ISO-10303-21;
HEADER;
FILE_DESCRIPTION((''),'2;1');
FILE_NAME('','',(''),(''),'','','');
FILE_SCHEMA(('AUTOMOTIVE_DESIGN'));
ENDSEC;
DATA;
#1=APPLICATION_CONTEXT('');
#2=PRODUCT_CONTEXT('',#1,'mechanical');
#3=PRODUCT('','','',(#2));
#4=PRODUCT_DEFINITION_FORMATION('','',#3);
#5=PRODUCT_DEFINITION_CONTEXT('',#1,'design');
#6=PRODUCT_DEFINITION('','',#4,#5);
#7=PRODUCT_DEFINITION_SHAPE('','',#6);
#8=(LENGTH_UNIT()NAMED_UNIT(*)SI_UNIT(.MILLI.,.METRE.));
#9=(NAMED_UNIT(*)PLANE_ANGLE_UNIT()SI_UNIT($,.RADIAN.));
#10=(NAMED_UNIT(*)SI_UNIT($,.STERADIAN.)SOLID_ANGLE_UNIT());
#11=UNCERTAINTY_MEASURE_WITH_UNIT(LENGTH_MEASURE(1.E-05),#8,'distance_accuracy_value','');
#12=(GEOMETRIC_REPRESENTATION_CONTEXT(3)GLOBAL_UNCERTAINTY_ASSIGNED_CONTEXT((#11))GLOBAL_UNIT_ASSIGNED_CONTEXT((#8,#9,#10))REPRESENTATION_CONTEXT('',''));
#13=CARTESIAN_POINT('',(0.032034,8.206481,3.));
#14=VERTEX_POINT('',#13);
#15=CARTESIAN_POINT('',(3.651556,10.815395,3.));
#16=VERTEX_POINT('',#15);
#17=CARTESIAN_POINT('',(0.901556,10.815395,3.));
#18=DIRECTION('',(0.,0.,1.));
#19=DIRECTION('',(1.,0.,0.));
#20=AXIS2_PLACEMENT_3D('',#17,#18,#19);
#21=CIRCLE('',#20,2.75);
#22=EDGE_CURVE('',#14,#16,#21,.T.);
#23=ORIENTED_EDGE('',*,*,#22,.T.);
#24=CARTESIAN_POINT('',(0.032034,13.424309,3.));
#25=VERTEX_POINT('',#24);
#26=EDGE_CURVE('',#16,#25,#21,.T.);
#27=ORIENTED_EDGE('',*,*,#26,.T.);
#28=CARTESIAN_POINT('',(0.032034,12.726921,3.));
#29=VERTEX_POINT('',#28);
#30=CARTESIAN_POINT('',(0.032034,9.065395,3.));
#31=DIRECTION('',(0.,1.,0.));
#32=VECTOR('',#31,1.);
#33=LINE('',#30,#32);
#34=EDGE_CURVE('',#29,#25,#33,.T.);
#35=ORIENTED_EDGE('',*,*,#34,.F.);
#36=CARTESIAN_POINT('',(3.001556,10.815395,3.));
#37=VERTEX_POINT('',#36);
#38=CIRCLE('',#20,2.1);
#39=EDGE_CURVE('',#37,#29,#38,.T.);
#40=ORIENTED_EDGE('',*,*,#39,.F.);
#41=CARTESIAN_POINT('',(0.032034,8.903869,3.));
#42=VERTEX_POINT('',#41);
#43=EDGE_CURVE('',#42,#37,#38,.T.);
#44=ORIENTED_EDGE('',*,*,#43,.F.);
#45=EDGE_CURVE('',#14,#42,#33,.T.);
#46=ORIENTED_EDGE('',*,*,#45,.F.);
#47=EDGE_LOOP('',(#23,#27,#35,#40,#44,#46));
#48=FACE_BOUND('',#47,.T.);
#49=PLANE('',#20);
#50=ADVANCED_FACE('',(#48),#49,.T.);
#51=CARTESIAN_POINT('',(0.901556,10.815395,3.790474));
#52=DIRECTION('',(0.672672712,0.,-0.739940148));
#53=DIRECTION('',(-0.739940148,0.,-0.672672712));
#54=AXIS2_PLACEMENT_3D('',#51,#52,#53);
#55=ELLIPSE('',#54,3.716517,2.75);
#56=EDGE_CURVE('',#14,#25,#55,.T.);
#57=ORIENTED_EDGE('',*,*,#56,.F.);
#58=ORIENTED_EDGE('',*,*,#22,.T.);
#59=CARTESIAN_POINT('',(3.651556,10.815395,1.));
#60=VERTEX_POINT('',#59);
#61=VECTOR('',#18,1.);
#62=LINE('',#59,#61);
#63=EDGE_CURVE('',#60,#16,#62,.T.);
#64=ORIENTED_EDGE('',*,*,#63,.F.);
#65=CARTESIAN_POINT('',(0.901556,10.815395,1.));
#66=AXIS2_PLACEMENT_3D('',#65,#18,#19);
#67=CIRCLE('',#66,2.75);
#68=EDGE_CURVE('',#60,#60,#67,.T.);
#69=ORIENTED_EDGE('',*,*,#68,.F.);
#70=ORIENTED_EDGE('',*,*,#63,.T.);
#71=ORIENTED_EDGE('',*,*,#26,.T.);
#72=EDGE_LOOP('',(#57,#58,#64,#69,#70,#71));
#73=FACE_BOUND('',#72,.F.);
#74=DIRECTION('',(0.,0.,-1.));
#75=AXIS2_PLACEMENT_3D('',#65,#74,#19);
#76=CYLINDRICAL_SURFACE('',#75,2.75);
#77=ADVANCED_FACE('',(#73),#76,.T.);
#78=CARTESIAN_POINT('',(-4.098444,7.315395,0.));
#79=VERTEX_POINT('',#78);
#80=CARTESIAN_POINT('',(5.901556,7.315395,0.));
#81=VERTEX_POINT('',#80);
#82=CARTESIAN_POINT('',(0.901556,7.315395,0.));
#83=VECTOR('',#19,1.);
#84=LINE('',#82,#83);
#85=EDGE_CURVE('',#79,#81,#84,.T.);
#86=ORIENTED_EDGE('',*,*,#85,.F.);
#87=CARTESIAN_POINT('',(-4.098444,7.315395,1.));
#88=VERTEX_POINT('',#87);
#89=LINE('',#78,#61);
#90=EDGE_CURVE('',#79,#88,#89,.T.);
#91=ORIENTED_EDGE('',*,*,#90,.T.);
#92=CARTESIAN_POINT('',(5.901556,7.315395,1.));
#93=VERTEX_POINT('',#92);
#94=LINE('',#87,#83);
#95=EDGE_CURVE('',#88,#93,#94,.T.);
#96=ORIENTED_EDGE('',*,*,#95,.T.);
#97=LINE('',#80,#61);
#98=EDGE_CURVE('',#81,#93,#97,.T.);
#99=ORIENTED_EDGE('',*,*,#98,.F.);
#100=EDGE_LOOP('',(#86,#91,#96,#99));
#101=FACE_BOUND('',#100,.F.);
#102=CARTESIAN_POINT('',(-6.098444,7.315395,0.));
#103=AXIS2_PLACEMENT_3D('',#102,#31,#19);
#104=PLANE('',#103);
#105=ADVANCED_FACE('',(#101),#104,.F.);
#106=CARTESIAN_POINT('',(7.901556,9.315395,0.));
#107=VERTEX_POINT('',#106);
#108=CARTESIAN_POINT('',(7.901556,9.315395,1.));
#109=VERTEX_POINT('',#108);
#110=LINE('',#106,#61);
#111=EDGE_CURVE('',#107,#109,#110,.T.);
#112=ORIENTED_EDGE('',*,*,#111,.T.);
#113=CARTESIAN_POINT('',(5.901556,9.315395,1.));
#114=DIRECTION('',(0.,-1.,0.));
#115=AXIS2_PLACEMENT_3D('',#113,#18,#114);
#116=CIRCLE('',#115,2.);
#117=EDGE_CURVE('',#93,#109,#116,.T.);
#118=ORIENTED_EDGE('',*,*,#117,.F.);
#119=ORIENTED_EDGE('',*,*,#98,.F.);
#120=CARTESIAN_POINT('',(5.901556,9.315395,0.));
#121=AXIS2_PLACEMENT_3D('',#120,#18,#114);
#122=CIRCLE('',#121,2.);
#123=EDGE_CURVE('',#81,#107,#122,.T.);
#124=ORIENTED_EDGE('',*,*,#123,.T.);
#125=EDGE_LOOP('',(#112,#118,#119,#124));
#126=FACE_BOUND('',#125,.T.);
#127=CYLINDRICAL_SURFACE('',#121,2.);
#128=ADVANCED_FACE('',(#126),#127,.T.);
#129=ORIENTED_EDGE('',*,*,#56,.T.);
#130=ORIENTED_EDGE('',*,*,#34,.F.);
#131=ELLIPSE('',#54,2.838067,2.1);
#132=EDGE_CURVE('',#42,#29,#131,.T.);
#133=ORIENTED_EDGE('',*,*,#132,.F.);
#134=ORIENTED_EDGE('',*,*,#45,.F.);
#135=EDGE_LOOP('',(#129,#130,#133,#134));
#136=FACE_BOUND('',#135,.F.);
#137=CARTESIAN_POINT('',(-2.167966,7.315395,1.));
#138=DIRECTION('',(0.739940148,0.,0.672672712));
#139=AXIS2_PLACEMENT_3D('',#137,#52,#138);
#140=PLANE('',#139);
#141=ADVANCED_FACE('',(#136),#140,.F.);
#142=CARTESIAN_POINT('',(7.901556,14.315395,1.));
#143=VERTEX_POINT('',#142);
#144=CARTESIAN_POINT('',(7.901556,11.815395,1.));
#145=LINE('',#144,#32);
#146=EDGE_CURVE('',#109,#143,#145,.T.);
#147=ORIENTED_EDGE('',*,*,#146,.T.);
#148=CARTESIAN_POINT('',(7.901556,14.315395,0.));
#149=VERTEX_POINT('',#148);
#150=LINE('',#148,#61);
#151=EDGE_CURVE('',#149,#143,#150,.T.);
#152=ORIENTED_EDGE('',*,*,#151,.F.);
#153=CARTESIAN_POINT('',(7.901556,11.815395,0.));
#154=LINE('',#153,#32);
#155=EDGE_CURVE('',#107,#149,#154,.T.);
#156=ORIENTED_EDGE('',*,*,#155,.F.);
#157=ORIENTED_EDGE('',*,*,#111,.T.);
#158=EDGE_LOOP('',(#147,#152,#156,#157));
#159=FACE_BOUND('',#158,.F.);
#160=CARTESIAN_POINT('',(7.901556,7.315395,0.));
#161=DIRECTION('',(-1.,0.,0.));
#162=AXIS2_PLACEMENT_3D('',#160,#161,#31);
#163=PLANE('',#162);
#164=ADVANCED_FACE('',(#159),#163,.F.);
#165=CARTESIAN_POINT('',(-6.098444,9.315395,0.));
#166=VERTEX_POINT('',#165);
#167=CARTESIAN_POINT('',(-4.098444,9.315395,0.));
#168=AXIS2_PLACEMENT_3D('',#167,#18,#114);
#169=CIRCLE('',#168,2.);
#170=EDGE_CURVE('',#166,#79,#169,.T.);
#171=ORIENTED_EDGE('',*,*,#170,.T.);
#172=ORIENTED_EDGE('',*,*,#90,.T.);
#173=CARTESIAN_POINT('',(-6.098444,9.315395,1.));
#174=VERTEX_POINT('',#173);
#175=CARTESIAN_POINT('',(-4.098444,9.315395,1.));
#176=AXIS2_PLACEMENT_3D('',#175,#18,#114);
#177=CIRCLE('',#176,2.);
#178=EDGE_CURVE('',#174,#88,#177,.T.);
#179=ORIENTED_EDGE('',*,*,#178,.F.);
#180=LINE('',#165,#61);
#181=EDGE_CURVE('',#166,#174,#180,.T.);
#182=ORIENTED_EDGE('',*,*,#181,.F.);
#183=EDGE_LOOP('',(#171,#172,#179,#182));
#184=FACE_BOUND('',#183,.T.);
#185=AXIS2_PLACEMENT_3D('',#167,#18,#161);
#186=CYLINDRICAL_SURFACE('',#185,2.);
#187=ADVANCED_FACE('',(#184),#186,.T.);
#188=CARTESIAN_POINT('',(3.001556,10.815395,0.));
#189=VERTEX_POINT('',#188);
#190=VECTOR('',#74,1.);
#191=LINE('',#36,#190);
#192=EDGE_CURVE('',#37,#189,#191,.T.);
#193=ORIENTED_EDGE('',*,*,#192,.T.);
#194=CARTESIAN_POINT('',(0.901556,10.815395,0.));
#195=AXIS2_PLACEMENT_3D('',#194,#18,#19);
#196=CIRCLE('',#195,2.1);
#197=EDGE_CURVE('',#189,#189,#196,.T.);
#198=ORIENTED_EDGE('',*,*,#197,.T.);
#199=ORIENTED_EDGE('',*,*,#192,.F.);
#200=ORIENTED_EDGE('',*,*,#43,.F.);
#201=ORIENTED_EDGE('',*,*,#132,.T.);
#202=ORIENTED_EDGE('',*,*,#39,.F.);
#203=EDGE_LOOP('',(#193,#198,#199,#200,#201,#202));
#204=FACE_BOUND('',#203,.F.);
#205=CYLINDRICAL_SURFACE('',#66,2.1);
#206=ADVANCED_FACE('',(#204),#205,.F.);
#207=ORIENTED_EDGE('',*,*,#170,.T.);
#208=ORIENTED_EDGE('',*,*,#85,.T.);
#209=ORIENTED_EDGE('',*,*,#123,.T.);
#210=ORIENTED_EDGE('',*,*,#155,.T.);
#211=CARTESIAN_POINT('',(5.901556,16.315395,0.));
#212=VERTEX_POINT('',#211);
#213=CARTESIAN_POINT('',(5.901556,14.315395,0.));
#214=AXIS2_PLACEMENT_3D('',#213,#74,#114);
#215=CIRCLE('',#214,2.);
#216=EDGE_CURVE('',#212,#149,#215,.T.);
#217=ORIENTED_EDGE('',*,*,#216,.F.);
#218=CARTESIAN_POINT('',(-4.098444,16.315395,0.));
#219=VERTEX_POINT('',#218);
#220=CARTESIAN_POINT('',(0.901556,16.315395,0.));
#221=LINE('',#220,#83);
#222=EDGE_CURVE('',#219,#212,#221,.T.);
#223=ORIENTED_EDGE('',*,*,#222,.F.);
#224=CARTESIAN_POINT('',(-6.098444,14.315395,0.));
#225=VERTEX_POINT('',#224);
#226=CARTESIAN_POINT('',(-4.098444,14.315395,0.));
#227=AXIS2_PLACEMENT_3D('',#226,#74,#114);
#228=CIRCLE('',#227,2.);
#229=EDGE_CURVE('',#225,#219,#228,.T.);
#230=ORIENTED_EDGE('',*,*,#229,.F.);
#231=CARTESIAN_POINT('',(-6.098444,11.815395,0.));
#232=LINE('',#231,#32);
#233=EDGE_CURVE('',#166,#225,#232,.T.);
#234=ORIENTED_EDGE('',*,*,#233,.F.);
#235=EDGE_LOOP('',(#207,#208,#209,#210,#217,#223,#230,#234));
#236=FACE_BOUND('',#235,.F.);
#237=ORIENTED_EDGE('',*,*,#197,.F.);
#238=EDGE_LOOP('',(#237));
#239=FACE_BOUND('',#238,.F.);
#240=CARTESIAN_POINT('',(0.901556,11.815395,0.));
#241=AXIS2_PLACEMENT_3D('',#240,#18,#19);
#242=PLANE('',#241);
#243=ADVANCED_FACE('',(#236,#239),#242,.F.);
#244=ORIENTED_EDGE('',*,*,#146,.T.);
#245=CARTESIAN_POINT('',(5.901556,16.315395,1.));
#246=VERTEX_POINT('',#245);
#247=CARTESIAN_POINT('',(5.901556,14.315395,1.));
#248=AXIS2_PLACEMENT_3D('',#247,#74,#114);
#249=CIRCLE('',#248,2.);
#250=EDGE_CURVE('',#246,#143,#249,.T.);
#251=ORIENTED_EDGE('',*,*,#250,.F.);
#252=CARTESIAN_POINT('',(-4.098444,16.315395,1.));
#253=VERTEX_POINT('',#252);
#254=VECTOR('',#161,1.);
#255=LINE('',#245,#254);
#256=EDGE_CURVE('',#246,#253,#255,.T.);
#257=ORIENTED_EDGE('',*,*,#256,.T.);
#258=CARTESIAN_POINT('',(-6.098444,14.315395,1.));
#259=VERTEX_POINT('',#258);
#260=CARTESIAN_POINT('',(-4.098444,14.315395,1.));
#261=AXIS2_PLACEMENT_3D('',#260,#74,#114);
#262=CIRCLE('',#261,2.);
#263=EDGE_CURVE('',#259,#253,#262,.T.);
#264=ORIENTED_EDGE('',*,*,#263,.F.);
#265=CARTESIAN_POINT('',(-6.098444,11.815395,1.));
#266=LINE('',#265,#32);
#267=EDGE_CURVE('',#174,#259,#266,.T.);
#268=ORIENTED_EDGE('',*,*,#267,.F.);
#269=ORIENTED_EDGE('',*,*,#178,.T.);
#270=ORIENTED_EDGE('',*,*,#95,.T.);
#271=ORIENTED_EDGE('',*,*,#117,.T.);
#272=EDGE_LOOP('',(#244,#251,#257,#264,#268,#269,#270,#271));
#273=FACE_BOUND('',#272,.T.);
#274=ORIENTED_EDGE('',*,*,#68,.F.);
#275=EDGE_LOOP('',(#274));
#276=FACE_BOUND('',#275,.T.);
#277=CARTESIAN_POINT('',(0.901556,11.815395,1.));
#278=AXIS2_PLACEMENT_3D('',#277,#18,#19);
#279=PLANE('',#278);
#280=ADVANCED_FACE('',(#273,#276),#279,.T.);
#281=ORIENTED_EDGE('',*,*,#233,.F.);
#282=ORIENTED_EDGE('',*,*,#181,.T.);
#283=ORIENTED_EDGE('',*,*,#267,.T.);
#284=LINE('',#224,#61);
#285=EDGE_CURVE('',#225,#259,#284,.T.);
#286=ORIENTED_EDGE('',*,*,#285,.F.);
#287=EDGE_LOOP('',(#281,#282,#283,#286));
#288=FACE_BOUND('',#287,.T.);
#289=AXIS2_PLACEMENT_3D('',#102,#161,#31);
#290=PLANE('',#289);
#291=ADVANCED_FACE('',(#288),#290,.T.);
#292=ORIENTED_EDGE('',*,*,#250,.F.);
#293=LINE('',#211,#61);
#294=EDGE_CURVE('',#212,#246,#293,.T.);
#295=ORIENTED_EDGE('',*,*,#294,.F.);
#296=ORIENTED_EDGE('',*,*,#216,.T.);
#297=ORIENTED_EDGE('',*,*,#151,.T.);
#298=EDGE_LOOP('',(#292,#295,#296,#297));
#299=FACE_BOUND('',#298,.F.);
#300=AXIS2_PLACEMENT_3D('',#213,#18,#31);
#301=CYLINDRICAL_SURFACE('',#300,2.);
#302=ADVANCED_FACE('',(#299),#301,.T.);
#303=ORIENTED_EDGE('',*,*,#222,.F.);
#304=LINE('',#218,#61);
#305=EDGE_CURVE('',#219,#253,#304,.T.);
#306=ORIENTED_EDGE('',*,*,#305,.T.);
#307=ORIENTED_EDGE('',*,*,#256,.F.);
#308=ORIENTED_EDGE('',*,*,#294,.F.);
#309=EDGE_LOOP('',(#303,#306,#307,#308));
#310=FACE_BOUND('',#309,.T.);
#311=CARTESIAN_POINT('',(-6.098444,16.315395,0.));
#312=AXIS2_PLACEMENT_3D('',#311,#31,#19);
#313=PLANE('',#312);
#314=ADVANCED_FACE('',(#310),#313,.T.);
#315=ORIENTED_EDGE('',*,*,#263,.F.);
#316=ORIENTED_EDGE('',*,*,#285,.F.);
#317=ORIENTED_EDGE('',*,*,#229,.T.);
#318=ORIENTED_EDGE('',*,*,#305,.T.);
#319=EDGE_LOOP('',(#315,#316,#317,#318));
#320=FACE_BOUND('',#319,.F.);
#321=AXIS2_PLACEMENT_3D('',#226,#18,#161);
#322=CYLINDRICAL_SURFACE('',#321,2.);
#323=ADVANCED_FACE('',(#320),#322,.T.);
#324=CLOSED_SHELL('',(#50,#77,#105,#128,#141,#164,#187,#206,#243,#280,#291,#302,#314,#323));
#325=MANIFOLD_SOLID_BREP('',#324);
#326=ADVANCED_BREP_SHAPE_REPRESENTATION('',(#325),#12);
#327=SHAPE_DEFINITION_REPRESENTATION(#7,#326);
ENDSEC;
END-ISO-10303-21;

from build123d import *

# Parameters (mm, degrees)
F0_W      = 14
F0_H      = 9
F1_DEPTH  = 1
F2_R      = 2.75
F2_R_2    = 2.1
F3_DEPTH  = 2
F3_FACE_R = 2.1
F4_DEPTH  = 1.5
F5_R      = 2
F7_DEPTH  = 25


with BuildPart() as f1:
    # F0 (on Top) → F1 (new body)
    with BuildSketch(Plane.XY):
        with Locations((0.901556, 11.815395)):
            Rectangle(F0_W, F0_H)
    extrude(amount=F1_DEPTH)

    # F2 (on face) → F3 (join)
    with BuildSketch(Plane.XY.offset(1)):
        with Locations((0.901556, 10.815395)):
            Circle(F2_R)
        with Locations((0.901556, 10.815395)):
            Circle(F2_R_2, mode=Mode.SUBTRACT)
    extrude(amount=F3_DEPTH)

    # F3_face (on face) → F4 (cut)
    with BuildSketch(Plane(origin=(0.901556, 10.815395, 1), x_dir=(1, 0, 0), z_dir=(0, 0, 1))):
        Circle(F3_FACE_R)
    extrude(amount=-F4_DEPTH, mode=Mode.SUBTRACT)

    # F5
    f5_edges = [f1.edges().sort_by_distance(p)[0] for p in [
        (-6.098444, 7.315395, 0.5),
        (-6.098444, 16.315395, 0.5),
        (7.901556, 7.315395, 0.5),
        (7.901556, 16.315395, 0.5),
    ]]
    fillet(f5_edges, radius=F5_R)

    # F6 (on face) → F7 (cut)
    with BuildSketch(Plane.XZ.offset(-7.315395)):
        Polygon((0.521946, 3.445374), (-2.167966, 3.445374), (-2.167966, 1), align=None)
    extrude(amount=-F7_DEPTH, mode=Mode.SUBTRACT)


solid = f1.part
